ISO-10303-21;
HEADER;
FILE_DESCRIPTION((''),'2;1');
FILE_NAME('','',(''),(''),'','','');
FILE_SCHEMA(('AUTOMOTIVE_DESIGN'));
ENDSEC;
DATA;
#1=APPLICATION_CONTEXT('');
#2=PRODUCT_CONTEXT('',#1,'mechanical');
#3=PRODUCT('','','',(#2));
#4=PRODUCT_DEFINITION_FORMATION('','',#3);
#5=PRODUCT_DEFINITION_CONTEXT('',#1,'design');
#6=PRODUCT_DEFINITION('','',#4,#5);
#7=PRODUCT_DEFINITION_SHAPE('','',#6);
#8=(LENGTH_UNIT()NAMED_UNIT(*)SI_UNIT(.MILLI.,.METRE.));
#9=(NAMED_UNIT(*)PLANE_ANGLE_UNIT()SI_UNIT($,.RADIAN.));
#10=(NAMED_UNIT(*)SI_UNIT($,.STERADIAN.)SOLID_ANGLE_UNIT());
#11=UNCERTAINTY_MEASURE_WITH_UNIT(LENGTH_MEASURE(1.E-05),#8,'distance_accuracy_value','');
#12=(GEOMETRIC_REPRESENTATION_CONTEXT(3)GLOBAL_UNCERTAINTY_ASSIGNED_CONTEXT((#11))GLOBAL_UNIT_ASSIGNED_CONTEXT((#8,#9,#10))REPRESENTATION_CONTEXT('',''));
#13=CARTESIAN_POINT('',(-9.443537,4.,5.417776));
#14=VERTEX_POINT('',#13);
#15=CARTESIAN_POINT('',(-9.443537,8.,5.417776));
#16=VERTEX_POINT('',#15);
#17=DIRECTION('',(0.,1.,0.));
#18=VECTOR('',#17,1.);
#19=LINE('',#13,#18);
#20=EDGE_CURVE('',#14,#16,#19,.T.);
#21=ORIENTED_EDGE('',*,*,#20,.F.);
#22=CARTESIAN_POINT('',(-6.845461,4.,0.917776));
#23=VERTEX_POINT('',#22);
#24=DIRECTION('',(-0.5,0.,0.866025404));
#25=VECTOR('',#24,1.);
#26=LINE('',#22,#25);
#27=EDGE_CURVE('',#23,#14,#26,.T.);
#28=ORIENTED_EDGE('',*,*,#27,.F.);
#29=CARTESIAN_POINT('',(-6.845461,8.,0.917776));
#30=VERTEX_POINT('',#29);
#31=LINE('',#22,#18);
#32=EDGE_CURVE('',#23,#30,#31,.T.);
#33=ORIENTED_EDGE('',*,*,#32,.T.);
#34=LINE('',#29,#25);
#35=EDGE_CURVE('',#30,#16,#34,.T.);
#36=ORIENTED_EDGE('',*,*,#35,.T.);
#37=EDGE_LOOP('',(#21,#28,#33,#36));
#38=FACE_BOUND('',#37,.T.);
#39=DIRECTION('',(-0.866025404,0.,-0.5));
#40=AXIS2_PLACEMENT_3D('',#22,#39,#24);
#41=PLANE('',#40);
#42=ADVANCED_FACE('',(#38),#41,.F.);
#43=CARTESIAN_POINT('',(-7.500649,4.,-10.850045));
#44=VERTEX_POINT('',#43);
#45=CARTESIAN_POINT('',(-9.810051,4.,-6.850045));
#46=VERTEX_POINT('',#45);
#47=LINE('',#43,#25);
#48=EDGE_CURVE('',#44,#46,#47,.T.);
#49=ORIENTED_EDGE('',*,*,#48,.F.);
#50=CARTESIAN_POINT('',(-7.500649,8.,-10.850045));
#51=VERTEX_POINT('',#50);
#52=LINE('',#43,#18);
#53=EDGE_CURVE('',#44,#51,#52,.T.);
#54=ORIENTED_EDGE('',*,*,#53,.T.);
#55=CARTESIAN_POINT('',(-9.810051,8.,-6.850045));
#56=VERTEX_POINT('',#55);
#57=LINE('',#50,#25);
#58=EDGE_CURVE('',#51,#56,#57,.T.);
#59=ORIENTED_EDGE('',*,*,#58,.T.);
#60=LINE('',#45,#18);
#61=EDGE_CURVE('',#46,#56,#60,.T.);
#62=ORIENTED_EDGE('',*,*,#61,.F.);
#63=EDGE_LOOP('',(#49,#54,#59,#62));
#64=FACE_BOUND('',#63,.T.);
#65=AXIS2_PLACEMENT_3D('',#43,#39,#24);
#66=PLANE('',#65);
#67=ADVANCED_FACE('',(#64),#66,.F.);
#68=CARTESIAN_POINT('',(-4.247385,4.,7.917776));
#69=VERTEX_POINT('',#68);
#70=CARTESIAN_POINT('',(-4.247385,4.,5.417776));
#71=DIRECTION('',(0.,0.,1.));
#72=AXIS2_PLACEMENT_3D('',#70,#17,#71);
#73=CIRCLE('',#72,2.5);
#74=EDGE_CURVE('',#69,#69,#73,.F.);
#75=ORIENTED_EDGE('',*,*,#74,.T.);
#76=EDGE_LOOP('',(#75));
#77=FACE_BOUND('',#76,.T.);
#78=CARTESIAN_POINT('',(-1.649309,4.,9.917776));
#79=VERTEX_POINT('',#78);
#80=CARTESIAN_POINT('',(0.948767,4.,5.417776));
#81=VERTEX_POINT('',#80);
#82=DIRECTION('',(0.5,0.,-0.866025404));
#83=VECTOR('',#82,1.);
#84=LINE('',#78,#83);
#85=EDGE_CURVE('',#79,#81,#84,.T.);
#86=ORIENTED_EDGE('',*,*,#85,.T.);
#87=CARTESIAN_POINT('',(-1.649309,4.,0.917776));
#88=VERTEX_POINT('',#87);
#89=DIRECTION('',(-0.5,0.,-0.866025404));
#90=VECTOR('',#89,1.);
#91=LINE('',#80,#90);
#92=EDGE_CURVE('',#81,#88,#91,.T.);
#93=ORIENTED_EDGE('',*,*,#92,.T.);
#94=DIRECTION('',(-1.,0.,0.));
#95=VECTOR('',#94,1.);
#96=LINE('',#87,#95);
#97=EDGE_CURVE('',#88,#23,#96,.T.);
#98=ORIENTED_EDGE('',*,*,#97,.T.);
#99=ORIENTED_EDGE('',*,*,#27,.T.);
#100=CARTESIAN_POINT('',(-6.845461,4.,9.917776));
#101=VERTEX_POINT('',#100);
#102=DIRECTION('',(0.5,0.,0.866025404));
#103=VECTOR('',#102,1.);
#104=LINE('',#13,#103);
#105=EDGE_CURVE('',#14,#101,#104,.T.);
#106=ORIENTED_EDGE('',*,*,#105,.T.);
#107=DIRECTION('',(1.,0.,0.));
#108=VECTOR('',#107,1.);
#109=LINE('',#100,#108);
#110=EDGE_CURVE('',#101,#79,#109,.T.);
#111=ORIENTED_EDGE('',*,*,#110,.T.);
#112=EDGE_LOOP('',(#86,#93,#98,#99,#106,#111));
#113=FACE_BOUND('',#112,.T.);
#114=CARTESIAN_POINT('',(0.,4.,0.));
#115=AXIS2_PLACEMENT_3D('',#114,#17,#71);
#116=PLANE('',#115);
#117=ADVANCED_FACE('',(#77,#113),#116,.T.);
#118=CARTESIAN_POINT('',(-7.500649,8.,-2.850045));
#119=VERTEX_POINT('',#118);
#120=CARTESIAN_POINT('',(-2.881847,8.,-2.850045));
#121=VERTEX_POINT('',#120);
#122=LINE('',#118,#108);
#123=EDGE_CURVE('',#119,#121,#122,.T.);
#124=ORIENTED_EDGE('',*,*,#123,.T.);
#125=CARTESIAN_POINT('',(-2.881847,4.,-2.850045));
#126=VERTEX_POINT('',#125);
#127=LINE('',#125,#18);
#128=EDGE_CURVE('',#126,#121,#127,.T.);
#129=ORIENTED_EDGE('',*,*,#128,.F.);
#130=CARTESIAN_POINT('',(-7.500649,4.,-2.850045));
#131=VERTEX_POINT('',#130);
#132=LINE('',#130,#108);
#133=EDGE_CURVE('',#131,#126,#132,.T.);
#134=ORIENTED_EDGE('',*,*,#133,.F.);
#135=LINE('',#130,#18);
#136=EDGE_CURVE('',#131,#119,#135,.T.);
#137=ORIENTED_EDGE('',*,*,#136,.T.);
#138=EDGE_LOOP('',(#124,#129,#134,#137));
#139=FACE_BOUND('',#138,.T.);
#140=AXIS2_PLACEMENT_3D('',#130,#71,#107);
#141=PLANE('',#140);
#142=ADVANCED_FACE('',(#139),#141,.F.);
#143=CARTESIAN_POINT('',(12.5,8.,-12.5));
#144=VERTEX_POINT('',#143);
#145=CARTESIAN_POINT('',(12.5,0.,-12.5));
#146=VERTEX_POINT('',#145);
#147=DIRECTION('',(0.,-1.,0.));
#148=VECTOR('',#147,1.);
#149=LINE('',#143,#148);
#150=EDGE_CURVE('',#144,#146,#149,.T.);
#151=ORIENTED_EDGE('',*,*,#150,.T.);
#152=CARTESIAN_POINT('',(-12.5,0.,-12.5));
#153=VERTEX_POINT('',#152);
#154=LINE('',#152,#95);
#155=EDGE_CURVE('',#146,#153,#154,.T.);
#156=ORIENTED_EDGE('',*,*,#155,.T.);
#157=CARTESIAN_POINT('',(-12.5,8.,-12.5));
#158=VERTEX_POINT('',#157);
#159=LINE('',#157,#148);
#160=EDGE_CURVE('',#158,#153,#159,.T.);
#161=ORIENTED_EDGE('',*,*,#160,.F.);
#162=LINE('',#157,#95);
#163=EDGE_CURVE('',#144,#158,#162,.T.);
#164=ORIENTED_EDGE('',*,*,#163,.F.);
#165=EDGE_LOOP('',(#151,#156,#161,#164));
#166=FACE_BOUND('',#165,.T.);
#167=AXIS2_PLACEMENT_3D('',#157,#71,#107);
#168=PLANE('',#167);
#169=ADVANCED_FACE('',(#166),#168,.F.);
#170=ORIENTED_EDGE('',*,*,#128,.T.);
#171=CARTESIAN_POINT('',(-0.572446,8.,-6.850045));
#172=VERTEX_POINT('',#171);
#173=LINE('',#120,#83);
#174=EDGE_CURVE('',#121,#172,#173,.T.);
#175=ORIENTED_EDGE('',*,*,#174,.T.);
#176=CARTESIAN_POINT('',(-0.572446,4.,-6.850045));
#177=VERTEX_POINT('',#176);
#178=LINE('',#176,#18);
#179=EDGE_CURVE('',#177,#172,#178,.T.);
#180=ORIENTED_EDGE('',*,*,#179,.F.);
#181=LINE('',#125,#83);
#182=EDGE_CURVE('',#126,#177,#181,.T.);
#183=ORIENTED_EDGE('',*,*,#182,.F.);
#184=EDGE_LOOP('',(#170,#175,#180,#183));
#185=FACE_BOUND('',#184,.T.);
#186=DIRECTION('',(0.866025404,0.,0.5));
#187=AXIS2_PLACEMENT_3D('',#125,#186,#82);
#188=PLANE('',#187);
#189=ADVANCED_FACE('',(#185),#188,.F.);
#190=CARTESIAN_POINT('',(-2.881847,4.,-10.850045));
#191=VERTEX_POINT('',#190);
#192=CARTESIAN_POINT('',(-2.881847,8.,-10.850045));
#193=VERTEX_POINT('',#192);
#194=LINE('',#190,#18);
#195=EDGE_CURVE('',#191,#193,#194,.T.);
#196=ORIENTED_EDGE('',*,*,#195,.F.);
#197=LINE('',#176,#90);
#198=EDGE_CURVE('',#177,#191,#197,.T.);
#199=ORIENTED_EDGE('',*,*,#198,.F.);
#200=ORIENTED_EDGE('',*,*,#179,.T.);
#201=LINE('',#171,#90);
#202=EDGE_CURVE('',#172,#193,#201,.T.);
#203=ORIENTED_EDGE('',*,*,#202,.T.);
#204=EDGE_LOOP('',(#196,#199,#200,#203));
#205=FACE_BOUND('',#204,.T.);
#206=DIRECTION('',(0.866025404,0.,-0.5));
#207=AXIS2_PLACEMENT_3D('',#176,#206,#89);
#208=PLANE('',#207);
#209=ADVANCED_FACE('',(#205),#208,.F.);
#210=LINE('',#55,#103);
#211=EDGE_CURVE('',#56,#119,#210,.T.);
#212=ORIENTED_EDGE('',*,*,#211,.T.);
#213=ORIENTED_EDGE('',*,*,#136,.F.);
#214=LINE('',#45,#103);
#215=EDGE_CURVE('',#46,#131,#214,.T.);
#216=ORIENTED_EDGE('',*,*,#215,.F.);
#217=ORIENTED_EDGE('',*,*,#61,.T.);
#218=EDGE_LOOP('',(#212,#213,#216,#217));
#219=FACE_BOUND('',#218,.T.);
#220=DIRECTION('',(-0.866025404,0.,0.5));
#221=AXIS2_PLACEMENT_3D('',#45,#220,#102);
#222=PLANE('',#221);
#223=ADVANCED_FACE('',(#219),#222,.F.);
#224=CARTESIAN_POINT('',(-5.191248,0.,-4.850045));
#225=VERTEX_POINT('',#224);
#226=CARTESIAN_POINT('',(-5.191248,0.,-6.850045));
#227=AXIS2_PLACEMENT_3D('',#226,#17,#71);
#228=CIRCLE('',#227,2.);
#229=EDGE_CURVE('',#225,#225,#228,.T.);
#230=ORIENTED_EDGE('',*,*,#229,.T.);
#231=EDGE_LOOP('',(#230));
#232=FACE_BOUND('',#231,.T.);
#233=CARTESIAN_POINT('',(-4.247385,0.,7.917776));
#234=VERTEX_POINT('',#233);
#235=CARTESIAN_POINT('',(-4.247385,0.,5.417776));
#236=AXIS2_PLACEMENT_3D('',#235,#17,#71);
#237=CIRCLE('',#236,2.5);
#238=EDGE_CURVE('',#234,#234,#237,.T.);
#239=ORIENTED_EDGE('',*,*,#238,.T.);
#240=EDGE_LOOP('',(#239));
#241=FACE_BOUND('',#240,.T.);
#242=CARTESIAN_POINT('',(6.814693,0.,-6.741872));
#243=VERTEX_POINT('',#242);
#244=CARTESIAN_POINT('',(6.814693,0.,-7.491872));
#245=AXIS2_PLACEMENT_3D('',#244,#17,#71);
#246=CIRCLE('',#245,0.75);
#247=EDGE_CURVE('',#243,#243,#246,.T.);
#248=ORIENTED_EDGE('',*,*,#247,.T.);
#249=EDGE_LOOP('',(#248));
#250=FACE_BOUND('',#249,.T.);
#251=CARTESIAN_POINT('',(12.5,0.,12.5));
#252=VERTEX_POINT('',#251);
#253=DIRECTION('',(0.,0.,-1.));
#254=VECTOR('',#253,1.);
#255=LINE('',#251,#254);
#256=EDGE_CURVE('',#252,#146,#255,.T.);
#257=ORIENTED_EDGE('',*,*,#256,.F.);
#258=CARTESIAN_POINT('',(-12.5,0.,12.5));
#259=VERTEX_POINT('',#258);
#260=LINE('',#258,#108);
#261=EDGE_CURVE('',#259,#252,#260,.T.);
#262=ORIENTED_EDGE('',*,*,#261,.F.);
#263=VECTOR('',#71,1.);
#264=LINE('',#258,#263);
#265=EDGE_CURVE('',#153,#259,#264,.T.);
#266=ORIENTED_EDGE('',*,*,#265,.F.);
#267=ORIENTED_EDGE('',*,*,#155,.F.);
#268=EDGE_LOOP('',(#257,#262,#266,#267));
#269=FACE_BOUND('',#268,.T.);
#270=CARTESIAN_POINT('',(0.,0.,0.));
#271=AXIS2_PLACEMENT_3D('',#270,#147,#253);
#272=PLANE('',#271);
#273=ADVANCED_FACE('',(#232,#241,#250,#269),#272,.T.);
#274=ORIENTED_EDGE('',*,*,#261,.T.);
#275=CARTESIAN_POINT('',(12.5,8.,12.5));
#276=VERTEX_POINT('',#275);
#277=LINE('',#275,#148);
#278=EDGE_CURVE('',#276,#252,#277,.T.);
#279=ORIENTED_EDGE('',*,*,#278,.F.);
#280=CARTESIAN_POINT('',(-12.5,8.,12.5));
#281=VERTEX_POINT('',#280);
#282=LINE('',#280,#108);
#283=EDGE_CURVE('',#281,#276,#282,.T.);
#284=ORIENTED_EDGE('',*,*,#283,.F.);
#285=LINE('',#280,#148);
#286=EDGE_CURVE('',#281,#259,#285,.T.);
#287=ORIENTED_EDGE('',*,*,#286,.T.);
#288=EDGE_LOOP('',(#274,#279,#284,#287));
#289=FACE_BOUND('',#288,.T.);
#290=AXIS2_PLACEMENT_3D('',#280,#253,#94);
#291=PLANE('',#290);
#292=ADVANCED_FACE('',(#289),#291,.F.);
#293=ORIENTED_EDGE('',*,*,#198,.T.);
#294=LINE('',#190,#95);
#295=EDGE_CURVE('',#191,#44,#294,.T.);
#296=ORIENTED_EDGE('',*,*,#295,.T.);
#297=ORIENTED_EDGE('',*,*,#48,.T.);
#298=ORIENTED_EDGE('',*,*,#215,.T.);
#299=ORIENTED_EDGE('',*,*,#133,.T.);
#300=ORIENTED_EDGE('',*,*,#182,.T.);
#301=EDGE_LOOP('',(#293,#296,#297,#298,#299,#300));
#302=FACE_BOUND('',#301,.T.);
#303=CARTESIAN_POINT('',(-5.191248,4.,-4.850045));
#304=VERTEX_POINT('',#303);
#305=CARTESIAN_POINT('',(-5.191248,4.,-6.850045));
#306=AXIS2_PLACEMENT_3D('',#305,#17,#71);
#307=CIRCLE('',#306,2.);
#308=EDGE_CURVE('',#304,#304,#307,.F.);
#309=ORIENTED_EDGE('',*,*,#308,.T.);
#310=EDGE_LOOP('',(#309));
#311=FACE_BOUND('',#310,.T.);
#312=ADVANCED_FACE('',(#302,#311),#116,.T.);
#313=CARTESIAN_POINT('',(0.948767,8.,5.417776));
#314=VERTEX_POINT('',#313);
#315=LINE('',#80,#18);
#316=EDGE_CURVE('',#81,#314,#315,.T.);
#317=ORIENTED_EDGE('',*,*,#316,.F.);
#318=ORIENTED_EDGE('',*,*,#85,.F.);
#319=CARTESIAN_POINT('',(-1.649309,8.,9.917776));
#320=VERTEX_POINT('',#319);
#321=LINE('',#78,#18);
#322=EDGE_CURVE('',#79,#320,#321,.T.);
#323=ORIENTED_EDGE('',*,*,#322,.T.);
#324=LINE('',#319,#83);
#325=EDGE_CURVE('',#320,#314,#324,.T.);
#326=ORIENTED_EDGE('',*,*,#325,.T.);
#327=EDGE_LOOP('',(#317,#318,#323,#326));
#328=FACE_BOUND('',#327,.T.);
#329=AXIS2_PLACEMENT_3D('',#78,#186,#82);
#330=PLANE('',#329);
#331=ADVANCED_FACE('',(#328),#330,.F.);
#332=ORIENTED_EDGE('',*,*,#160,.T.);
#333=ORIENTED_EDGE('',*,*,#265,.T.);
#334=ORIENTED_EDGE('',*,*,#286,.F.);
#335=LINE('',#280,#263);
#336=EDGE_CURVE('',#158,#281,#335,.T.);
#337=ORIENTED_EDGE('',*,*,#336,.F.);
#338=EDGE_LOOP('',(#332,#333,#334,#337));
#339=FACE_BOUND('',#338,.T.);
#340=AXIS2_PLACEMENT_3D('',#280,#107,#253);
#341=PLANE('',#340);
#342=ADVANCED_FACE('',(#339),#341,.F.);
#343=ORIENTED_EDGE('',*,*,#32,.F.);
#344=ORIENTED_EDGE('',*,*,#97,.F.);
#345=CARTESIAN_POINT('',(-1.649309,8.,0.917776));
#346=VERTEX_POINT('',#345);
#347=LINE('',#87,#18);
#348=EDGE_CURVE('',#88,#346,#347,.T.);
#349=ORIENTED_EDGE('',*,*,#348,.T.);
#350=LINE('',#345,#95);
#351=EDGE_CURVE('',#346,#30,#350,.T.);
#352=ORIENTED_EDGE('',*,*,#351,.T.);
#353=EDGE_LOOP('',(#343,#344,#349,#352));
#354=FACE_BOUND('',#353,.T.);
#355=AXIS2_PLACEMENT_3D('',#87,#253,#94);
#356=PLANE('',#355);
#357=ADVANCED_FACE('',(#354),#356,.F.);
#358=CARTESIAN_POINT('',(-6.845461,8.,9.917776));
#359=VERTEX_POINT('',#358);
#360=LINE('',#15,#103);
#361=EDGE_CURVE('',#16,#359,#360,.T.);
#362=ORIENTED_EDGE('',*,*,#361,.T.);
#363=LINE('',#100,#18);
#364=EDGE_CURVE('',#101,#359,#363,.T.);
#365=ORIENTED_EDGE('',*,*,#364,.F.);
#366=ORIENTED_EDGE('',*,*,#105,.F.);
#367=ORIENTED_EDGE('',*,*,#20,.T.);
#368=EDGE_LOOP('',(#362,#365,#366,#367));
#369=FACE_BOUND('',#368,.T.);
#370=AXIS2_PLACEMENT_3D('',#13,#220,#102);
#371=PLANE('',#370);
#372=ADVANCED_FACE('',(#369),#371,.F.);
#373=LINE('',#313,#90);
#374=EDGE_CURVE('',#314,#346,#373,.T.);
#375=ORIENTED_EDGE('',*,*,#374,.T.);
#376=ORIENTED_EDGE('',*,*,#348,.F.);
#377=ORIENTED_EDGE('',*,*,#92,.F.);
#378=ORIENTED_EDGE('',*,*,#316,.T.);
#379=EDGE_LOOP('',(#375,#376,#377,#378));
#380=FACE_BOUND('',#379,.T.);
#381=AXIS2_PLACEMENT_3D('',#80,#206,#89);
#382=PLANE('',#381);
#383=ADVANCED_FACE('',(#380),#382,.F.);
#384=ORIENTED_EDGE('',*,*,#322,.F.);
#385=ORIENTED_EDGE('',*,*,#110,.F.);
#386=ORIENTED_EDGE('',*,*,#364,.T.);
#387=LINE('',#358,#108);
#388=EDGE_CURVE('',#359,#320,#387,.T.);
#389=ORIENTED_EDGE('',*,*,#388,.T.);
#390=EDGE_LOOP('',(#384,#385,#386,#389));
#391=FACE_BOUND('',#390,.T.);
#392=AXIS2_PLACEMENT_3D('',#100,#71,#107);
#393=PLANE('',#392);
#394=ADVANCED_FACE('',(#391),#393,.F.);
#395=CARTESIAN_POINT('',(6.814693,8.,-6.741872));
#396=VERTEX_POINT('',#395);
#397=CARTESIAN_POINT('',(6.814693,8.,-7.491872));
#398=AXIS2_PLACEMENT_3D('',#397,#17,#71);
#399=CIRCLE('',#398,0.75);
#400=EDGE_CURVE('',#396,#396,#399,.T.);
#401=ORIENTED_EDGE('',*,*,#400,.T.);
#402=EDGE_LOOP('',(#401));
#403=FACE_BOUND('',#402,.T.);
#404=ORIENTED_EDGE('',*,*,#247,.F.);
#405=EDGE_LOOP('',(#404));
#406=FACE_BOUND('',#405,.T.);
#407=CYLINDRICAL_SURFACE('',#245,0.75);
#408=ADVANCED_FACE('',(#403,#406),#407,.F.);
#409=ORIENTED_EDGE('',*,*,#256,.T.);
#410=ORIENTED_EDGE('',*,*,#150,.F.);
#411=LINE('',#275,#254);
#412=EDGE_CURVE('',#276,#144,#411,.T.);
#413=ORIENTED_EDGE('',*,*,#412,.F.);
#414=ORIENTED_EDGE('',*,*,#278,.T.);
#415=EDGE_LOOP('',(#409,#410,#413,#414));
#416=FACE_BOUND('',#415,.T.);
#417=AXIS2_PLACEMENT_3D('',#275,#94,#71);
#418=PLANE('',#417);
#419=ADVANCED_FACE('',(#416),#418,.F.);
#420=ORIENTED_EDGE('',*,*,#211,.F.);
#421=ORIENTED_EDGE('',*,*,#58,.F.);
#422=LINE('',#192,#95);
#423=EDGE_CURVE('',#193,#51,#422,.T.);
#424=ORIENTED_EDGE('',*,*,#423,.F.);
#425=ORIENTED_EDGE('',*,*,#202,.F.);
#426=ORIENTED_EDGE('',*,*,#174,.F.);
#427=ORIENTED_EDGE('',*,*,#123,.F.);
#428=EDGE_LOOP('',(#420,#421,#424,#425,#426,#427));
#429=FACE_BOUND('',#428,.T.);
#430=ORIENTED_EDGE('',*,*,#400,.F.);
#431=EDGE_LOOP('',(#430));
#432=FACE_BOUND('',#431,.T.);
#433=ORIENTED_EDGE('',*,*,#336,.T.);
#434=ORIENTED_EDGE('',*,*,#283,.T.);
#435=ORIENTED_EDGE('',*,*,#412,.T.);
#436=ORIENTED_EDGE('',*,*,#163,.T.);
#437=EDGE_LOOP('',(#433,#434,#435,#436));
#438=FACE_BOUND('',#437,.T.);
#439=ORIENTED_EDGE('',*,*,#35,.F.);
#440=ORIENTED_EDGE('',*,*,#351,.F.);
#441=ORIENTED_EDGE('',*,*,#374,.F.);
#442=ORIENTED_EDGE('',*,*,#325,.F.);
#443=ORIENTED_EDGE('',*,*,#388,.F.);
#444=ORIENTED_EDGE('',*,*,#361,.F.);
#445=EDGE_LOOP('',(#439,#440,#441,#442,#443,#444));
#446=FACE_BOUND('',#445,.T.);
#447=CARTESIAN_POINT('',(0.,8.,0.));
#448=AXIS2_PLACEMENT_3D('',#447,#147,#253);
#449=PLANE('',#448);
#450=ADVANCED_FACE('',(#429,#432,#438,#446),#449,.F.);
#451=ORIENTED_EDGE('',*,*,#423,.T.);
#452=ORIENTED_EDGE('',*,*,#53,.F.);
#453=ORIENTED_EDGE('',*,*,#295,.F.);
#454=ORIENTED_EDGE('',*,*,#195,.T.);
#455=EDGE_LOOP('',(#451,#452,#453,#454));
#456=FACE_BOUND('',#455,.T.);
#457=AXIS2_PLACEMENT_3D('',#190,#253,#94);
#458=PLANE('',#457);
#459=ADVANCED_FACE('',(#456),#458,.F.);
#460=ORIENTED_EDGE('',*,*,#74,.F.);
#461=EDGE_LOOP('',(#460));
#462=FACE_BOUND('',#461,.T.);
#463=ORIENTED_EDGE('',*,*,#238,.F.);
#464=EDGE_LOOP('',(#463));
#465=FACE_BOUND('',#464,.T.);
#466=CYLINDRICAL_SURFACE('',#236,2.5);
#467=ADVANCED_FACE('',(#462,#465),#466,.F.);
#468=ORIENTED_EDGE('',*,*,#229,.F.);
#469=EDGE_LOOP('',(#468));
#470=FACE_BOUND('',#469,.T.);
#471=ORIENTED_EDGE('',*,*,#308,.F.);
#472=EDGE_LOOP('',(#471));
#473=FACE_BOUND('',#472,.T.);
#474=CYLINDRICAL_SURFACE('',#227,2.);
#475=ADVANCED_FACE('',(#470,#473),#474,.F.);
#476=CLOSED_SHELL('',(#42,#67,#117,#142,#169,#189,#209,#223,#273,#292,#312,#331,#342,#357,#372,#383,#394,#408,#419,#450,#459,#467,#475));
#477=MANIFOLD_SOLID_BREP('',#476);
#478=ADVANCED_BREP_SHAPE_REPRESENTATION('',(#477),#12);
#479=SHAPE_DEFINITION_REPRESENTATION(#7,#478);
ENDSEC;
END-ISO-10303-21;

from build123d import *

# Parameters (mm, degrees)
SKETCH1_W           = 25
SKETCH1_H           = 25
BOSS_EXTRUDE1_DEPTH = 8
SKETCH2_R           = 2
SKETCH2_R_2         = 0.75
SKETCH2_R_3         = 2.5
CUT_EXTRUDE1_DEPTH  = 8
CUT_EXTRUDE2_DEPTH  = 4


with BuildPart() as part:
    # Sketch1 → Boss-Extrude1 (new body)
    with BuildSketch(Plane(origin=(0, 0, 0), x_dir=(1, 0, 0), z_dir=(0, 1, 0))):
        Rectangle(SKETCH1_W, SKETCH1_H)
    extrude(amount=BOSS_EXTRUDE1_DEPTH)

    # Sketch2 → Cut-Extrude1 (cut)
    with BuildSketch(Plane(origin=(0, 8, 0), x_dir=(1, 0, 0), z_dir=(0, 1, 0))):
        with Locations(Location((-5.191248411, 6.850045341, 0), (0, 0, 270))):
            Circle(SKETCH2_R)
        with Locations(Location((6.814693369, 7.491872418, 0), (0, 0, 270))):
            Circle(SKETCH2_R_2)
        with Locations(Location((-4.247385064, -5.417775614, 0), (0, 0, 270))):
            Circle(SKETCH2_R_3)
    extrude(amount=-CUT_EXTRUDE1_DEPTH, mode=Mode.SUBTRACT)

    # Sketch3 → Cut-Extrude2 (cut)
    with BuildSketch(Plane(origin=(0, 8, 0), x_dir=(1, 0, 0), z_dir=(0, 1, 0))):
        Polygon((-0.572446257, 6.850045341), (-2.881847334, 10.850045341), (-7.500649488, 10.850045341), (-9.810050565, 6.850045341), (-7.500649488, 2.850045341), (-2.881847334, 2.850045341), align=None)
        Polygon((0.948767359, -5.417775614), (-1.649308852, -0.917775614), (-6.845461275, -0.917775614), (-9.443537486, -5.417775614), (-6.845461275, -9.917775614), (-1.649308852, -9.917775614), align=None)
    extrude(amount=-CUT_EXTRUDE2_DEPTH, mode=Mode.SUBTRACT)


solid = part.part
